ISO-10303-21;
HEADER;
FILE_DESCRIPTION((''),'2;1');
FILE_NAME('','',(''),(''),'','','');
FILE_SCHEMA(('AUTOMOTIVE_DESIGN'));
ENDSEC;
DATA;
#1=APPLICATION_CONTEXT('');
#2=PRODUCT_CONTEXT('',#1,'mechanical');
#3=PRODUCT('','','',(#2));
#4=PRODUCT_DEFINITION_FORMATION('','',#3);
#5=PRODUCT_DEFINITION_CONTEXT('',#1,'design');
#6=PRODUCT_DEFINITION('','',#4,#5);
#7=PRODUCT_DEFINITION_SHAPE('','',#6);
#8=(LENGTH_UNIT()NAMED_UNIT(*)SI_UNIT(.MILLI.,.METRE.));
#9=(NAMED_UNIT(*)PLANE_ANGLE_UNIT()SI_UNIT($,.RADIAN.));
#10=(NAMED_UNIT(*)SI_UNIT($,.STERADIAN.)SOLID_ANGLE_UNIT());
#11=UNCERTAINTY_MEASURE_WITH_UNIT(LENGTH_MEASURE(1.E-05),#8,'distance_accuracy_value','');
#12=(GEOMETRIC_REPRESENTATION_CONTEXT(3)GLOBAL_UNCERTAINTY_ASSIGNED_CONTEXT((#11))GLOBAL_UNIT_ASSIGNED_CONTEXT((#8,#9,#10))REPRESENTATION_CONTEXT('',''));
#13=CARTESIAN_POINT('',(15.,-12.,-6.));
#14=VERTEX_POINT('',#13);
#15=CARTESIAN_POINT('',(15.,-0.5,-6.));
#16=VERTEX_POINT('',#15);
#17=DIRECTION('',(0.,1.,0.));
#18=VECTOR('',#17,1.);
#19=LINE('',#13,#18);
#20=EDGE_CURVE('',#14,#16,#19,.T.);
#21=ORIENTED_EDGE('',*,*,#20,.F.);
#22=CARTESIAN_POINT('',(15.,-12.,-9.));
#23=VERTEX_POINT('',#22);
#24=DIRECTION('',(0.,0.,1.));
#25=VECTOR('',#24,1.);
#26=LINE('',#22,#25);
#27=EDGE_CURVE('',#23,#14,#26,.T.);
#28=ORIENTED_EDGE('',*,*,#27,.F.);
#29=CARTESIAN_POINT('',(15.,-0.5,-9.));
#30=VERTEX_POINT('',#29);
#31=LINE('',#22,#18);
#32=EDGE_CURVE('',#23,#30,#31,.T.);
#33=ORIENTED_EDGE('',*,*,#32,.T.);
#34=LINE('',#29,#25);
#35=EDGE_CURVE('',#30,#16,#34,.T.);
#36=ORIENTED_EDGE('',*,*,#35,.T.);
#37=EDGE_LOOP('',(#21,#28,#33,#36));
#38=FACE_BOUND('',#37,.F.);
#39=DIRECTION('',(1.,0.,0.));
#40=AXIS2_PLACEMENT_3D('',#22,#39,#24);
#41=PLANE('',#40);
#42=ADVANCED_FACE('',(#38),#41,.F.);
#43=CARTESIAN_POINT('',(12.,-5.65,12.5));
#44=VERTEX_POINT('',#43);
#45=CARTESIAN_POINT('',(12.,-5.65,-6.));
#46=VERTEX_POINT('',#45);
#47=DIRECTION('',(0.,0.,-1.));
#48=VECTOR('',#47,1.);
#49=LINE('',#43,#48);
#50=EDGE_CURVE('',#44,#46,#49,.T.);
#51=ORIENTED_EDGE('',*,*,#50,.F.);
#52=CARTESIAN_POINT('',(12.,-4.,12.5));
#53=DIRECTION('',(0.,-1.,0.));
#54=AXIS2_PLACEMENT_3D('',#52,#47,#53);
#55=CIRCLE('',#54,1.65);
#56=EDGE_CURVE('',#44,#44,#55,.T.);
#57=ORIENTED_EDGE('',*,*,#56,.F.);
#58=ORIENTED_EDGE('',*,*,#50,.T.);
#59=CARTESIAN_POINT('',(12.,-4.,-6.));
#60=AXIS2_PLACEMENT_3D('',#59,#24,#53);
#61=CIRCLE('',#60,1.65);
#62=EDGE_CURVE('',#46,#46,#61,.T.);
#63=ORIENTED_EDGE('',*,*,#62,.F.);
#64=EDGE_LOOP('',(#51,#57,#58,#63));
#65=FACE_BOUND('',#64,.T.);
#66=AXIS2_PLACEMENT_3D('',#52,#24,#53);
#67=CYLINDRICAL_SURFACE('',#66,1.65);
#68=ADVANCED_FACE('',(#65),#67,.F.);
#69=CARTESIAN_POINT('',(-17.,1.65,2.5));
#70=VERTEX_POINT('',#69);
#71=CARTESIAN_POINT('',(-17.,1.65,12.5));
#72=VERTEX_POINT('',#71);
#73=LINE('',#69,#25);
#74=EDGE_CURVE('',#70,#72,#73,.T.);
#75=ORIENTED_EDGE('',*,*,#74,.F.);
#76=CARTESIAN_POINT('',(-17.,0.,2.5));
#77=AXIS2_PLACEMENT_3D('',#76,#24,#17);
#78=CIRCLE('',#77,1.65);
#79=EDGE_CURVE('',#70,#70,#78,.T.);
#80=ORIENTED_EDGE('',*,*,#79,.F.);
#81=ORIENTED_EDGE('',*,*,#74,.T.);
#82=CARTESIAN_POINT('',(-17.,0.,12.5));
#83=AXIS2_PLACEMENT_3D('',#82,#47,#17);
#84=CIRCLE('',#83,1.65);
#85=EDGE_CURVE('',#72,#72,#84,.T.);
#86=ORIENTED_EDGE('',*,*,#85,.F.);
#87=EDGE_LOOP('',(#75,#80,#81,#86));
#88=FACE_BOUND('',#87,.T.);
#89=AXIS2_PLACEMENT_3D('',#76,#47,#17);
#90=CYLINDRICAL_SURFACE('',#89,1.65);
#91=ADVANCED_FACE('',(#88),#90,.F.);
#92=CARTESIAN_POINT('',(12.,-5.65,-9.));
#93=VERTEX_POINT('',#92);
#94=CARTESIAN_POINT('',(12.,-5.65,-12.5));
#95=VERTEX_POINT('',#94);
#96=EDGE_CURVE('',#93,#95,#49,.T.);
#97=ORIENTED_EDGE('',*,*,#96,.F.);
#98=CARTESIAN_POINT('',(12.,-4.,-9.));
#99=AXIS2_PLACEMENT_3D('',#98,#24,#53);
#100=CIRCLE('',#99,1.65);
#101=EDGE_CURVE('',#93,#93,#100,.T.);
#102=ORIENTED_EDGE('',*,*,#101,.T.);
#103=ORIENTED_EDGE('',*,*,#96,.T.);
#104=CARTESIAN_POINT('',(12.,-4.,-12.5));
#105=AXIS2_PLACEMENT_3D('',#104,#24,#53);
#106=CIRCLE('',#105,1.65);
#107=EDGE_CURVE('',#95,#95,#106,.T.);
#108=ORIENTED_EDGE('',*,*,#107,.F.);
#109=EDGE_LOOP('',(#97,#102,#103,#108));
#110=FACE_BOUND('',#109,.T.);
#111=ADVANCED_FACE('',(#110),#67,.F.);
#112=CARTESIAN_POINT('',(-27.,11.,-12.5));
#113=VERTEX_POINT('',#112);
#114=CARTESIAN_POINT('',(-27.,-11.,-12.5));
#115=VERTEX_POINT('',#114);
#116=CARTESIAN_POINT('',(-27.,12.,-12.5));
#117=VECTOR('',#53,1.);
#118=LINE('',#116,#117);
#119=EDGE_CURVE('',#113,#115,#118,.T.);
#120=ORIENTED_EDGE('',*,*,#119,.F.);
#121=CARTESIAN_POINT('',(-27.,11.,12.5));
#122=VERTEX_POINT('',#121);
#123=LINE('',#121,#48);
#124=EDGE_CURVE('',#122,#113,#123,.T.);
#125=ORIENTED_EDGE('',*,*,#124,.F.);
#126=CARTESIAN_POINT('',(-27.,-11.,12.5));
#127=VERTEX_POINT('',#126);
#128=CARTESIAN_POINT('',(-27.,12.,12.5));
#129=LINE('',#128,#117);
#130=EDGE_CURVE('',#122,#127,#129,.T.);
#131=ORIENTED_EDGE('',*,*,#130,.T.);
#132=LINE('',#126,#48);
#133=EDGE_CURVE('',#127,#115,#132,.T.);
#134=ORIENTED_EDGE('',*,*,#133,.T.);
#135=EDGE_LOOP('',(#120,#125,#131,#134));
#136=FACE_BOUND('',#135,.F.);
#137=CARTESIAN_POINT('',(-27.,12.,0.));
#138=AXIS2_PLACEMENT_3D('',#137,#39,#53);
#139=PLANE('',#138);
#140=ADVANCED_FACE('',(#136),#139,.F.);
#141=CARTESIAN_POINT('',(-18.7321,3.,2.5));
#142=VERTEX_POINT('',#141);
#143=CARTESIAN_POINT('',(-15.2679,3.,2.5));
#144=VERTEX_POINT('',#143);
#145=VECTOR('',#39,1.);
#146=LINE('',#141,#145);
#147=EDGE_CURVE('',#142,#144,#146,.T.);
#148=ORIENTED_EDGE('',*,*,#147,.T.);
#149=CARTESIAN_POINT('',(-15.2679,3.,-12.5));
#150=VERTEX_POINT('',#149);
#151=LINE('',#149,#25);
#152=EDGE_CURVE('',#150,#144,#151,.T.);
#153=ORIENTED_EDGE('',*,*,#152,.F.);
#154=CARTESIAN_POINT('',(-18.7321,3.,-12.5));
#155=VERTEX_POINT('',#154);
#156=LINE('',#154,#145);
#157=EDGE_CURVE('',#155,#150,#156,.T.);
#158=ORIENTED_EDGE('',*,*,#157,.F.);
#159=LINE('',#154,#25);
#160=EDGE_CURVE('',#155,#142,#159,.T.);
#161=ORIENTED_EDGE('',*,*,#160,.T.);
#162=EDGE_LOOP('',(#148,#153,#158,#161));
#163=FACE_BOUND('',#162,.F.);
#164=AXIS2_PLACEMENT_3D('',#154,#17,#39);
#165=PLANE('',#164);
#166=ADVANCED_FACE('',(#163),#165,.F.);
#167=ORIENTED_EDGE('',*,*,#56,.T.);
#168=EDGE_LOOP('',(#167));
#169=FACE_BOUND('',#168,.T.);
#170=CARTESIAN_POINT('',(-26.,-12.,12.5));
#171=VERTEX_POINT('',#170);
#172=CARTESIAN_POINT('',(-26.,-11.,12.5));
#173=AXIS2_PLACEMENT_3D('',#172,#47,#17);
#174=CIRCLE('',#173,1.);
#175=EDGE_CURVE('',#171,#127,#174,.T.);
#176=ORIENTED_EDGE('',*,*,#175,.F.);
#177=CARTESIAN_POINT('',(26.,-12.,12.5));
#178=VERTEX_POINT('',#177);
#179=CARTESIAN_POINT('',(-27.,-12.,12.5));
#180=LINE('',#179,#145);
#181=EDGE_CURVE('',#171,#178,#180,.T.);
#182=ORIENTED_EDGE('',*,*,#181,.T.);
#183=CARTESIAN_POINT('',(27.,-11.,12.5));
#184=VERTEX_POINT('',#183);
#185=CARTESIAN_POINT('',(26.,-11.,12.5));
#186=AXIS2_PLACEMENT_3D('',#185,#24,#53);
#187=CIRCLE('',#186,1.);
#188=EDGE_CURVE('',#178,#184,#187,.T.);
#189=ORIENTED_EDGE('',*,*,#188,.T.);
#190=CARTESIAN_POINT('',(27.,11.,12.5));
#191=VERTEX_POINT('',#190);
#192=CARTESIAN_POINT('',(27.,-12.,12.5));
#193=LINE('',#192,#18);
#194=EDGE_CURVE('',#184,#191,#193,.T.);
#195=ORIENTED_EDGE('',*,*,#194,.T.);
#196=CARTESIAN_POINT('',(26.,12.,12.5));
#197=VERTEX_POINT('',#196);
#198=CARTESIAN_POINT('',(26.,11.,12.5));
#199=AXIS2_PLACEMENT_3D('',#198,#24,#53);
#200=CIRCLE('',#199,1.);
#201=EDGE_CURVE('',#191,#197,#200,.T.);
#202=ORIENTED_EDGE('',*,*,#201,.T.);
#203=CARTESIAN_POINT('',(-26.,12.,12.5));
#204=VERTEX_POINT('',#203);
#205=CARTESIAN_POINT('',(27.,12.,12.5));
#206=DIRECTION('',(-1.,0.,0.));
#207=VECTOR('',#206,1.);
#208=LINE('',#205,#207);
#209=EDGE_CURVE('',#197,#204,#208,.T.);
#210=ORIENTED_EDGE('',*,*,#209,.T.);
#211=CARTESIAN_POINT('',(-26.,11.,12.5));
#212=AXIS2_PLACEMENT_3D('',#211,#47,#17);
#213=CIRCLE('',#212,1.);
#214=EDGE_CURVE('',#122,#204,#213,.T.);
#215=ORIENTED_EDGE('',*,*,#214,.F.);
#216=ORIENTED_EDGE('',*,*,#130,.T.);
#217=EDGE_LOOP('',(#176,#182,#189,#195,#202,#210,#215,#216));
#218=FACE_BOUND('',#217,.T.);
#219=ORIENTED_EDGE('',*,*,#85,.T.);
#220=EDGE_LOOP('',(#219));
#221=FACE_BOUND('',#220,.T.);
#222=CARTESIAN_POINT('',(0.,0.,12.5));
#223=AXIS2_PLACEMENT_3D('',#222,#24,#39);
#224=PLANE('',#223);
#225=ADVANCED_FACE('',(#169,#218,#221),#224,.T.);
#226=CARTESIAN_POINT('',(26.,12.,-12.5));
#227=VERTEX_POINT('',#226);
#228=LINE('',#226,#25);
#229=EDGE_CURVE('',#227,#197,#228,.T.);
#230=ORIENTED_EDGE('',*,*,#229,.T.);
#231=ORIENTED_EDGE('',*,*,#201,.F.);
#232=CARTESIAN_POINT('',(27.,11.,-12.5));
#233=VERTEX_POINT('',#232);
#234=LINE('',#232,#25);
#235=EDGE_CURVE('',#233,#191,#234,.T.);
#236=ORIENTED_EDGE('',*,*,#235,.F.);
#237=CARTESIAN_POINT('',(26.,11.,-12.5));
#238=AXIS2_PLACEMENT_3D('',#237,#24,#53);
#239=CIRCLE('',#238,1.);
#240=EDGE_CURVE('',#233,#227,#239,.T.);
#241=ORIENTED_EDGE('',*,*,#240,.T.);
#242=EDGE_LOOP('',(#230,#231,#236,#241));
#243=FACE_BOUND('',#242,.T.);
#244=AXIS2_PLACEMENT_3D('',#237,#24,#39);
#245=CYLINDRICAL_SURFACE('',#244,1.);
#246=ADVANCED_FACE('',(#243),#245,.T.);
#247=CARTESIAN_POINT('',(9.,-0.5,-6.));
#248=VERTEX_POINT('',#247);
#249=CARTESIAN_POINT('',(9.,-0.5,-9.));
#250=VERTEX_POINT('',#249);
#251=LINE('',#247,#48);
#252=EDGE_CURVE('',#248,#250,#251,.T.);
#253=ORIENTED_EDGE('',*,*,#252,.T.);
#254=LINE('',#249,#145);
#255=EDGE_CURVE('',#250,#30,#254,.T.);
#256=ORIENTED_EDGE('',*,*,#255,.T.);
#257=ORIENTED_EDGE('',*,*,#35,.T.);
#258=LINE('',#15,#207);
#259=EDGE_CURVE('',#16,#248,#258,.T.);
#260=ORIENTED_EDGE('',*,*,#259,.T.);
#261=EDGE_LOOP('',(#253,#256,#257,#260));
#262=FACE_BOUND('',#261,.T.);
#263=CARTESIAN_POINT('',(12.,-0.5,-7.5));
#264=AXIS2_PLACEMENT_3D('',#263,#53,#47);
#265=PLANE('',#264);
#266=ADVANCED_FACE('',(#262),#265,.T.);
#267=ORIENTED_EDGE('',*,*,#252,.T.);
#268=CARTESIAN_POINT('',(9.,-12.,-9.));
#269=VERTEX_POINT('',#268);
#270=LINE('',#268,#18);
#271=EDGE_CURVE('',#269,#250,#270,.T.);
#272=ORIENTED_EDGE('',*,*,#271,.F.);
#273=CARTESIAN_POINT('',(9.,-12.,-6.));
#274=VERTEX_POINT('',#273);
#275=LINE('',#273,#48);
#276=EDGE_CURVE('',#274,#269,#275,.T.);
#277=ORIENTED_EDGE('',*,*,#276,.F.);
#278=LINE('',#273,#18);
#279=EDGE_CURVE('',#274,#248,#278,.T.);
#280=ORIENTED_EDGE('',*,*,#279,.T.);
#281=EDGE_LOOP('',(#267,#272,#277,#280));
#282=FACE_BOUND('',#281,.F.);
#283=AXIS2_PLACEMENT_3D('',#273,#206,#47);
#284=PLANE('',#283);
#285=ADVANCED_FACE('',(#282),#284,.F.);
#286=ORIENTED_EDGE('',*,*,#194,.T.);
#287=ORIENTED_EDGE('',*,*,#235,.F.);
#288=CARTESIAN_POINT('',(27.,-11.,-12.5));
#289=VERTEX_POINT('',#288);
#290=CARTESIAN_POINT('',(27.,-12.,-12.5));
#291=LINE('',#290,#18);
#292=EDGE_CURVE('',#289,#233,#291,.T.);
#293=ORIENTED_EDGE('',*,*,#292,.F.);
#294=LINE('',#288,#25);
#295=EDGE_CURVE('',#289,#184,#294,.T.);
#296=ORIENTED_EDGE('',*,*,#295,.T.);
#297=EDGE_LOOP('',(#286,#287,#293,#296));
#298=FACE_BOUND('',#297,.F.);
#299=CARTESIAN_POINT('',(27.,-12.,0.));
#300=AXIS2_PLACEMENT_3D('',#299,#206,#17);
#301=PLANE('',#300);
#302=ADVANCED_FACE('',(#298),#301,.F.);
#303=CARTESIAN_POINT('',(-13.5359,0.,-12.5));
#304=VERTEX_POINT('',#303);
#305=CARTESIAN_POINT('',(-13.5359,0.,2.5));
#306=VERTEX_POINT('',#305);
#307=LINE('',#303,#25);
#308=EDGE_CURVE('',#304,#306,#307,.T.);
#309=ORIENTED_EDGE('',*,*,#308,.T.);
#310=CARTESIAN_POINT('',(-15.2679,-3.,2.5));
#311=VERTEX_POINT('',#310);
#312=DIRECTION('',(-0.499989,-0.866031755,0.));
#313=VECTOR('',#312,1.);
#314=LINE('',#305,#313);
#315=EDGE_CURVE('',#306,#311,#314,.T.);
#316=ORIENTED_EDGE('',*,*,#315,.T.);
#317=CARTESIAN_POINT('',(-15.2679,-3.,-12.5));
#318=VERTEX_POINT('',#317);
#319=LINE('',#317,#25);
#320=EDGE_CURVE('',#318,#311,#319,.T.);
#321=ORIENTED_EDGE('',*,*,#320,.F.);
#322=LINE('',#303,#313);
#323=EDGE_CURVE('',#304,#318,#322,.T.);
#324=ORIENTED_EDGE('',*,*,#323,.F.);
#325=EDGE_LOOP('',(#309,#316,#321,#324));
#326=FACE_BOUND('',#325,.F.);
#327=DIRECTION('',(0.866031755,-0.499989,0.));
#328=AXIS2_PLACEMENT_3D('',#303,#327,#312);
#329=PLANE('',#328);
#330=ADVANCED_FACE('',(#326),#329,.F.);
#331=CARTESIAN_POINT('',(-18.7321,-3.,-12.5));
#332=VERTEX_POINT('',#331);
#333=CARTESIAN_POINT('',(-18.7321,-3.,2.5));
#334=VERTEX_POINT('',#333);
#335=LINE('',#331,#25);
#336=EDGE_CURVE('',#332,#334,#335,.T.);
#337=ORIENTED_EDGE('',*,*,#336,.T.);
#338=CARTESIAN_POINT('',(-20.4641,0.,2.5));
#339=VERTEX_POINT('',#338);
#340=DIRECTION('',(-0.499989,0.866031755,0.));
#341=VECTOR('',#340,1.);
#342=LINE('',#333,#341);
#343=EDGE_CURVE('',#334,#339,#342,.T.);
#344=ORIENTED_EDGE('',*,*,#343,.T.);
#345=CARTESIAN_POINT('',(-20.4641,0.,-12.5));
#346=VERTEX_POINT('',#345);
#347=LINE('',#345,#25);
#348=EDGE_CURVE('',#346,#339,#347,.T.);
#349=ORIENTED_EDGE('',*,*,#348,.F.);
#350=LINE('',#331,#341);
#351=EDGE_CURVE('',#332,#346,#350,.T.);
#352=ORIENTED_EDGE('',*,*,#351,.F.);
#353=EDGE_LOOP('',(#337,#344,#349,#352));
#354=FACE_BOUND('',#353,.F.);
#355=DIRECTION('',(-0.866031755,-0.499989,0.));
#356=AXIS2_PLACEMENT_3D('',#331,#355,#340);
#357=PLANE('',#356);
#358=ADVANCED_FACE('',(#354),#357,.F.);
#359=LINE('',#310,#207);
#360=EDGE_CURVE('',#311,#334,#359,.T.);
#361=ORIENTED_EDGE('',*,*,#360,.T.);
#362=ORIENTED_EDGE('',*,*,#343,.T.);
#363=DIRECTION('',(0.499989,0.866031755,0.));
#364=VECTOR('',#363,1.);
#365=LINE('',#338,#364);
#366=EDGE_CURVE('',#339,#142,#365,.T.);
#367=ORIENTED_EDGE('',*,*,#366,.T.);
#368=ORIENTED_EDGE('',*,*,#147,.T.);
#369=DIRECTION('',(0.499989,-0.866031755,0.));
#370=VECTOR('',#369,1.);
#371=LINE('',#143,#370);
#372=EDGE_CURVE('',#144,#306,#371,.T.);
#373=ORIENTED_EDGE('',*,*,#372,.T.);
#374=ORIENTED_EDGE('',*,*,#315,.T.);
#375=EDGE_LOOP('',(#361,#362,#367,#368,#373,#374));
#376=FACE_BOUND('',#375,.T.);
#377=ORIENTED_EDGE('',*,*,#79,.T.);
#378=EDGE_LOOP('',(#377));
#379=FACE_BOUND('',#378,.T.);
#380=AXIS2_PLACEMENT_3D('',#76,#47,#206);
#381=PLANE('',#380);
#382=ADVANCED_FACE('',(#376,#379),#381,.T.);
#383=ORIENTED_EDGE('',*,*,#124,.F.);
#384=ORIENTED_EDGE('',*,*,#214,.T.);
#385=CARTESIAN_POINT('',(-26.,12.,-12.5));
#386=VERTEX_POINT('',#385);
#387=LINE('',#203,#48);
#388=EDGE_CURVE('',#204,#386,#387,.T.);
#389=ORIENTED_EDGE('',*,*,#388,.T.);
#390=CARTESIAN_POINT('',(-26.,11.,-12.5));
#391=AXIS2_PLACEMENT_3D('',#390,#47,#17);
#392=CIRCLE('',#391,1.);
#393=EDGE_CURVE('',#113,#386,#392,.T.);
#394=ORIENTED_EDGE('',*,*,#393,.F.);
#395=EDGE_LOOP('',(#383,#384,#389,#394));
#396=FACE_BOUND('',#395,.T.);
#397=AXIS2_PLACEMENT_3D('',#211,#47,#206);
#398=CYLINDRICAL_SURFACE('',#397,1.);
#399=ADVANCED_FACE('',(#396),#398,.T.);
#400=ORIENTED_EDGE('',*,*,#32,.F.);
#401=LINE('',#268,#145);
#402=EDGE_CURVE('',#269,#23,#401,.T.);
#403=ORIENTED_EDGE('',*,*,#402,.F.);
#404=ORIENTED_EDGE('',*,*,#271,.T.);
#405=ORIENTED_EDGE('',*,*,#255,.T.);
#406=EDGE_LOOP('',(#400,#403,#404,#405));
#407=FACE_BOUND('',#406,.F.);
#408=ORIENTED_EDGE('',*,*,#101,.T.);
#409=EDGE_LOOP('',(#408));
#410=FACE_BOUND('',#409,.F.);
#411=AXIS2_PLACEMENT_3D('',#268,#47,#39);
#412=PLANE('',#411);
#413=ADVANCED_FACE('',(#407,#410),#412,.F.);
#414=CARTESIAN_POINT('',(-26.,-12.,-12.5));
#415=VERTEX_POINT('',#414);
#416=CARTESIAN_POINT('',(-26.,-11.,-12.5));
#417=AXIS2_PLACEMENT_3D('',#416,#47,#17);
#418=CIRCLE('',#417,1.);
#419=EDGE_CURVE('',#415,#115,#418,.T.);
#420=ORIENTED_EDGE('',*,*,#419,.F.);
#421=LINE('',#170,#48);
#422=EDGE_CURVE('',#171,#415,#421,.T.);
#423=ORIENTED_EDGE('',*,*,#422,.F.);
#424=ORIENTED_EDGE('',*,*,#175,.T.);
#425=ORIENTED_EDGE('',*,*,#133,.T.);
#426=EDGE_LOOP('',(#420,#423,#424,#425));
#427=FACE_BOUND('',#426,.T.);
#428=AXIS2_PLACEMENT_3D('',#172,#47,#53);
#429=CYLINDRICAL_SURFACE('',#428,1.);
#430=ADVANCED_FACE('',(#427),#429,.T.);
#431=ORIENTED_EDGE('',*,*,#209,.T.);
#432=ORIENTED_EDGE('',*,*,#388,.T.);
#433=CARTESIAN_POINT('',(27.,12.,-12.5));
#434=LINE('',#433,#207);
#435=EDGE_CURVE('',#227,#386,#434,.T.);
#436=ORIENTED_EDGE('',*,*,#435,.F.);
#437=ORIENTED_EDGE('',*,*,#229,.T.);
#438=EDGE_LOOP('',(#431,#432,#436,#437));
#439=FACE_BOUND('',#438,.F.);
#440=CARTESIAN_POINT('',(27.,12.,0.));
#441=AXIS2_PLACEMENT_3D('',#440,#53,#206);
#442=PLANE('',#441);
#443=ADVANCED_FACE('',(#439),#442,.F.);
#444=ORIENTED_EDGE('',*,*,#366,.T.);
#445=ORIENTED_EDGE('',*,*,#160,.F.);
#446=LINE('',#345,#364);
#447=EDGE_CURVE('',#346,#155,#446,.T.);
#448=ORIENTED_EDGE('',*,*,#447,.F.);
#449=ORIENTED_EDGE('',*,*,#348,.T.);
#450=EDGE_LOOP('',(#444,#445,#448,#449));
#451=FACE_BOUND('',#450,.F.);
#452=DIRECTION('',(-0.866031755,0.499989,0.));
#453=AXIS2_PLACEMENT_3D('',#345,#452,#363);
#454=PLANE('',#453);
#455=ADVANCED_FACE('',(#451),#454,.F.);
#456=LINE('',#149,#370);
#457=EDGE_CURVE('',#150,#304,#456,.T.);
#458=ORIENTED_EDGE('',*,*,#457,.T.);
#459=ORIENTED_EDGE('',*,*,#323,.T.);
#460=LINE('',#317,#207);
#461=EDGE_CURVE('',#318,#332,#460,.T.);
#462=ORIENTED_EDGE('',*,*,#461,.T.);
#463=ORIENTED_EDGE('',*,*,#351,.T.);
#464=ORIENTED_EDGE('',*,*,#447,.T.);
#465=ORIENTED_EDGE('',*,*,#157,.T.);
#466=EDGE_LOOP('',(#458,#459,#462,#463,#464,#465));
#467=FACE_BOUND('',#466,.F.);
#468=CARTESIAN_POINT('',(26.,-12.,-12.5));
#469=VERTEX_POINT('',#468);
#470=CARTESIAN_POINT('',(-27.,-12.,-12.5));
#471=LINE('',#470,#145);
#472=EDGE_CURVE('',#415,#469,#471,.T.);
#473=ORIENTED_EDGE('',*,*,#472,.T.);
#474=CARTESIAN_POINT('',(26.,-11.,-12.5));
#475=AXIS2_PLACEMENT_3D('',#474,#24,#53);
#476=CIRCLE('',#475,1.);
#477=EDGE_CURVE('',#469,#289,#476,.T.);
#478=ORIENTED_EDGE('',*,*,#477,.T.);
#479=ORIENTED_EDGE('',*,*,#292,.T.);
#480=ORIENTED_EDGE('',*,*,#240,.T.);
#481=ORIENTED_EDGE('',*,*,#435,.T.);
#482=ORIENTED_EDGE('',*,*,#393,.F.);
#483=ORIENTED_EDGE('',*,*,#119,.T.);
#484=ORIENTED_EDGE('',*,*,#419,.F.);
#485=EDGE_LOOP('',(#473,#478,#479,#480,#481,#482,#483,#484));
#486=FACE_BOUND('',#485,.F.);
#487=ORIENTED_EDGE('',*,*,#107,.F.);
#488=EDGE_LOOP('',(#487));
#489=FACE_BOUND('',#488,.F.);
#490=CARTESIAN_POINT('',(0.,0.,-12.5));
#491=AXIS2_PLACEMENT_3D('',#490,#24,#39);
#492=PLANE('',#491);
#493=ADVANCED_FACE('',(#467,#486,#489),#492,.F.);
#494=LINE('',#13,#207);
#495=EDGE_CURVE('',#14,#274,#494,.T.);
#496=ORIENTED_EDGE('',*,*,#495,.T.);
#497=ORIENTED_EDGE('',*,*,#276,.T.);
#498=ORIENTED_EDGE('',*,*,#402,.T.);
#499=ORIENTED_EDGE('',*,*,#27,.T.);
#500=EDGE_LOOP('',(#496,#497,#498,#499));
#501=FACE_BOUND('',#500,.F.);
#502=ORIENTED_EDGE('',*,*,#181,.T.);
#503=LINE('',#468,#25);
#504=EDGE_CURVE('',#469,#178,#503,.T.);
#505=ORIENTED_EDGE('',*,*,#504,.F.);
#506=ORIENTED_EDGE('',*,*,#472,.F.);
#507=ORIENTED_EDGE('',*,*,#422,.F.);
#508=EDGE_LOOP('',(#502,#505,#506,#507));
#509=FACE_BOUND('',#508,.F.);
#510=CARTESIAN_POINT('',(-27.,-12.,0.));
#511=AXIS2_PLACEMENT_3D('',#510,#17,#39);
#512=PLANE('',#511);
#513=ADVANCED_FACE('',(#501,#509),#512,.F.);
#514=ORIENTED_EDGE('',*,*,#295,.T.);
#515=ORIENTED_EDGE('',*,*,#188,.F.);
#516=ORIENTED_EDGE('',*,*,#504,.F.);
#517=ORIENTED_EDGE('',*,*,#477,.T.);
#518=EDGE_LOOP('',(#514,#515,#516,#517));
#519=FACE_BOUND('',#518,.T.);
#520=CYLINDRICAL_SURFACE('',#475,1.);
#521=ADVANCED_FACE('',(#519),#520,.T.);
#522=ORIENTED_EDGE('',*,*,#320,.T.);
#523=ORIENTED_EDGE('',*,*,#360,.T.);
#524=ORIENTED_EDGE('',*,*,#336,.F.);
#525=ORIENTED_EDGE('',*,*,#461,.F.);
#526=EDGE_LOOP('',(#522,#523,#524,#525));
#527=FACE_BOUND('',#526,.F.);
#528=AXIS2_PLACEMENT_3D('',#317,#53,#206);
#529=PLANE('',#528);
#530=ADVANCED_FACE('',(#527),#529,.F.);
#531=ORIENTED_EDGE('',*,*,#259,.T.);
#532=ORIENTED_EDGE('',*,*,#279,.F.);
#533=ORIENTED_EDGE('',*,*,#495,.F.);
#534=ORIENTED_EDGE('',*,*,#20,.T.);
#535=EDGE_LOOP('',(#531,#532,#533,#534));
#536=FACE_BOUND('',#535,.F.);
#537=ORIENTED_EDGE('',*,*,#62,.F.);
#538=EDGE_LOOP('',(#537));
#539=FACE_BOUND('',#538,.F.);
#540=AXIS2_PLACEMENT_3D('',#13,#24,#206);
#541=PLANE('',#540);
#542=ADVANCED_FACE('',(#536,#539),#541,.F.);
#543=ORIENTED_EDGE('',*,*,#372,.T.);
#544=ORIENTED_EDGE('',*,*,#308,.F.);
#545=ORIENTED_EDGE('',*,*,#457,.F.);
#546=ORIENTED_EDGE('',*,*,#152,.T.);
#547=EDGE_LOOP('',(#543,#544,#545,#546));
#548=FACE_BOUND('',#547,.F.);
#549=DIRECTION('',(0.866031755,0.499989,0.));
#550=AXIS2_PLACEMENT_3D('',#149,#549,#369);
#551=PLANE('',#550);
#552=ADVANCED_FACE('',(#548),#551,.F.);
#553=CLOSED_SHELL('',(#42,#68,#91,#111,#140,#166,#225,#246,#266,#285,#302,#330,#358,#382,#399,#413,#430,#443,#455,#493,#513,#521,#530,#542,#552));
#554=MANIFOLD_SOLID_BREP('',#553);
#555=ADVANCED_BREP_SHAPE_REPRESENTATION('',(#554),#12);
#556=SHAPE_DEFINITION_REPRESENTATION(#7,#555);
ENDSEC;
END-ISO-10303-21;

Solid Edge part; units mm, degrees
sketch "Sketch1" plane through (0, 0, 0) normal (0, 0, 1) x (1, 0, 0)
  line L0 (-27, -12) -> (27, -12)
  line L1 (27, -12) -> (27, 12)
  line L2 (27, 12) -> (-27, 12)
  line L3 (-27, 12) -> (-27, -12)
  dimension "D1" = 54
  dimension "D2" = 24
extrude "Ajout_matière_1" add sketch "Sketch1" along normal mid plane 25
fillet "Congé_1" radius 1 4 edges at (27, -12, 0) (27, 12, 0) (-27, -12, 0) (-27, 12, 0)
hole "Perçage_5" at (12, -4, 12.5) direction (0, 0, -1) diameter 3.3 end up to next
sketch "Sketch2" plane through (0, -12, 0) normal (0, -1, 0) x (0, 0, -1)
  line L0 (6, 9) -> (9, 9)
  line L1 (9, 9) -> (9, 15)
  line L2 (9, 15) -> (6, 15)
  line L3 (6, 15) -> (6, 9)
  dimension "D1" = 6
  dimension "D2" = 3
  dimension "D3" = 3.5
  dimension "D4" = 15
extrude "Enlèvement_matière_3" cut sketch "Sketch2" against normal blind 11.5
sketch "Sketch3" plane through (0, 0, -12.5) normal (0, 0, -1) x (0, 1, 0)
  line L0 (3, -15.2679) -> (0, -13.5359)
  line L1 (0, -13.5359) -> (-3, -15.2679)
  line L2 (-3, -15.2679) -> (-3, -18.7321)
  line L3 (-3, -18.7321) -> (0, -20.4641)
  line L4 (0, -20.4641) -> (3, -18.7321)
  line L5 (3, -18.7321) -> (3, -15.2679)
  dimension "D1" = 3.4641
  dimension "D2" = 3
  dimension "D3" = 6
  dimension "D4" = 10
extrude "Enlèvement_matière_5" cut sketch "Sketch3" against normal blind 15
hole "Perçage_6" at (-17, 0, 2.5) direction (0, 0, 1) diameter 3.3 end up to next
properties material "Plastique ABS, haute performance"
